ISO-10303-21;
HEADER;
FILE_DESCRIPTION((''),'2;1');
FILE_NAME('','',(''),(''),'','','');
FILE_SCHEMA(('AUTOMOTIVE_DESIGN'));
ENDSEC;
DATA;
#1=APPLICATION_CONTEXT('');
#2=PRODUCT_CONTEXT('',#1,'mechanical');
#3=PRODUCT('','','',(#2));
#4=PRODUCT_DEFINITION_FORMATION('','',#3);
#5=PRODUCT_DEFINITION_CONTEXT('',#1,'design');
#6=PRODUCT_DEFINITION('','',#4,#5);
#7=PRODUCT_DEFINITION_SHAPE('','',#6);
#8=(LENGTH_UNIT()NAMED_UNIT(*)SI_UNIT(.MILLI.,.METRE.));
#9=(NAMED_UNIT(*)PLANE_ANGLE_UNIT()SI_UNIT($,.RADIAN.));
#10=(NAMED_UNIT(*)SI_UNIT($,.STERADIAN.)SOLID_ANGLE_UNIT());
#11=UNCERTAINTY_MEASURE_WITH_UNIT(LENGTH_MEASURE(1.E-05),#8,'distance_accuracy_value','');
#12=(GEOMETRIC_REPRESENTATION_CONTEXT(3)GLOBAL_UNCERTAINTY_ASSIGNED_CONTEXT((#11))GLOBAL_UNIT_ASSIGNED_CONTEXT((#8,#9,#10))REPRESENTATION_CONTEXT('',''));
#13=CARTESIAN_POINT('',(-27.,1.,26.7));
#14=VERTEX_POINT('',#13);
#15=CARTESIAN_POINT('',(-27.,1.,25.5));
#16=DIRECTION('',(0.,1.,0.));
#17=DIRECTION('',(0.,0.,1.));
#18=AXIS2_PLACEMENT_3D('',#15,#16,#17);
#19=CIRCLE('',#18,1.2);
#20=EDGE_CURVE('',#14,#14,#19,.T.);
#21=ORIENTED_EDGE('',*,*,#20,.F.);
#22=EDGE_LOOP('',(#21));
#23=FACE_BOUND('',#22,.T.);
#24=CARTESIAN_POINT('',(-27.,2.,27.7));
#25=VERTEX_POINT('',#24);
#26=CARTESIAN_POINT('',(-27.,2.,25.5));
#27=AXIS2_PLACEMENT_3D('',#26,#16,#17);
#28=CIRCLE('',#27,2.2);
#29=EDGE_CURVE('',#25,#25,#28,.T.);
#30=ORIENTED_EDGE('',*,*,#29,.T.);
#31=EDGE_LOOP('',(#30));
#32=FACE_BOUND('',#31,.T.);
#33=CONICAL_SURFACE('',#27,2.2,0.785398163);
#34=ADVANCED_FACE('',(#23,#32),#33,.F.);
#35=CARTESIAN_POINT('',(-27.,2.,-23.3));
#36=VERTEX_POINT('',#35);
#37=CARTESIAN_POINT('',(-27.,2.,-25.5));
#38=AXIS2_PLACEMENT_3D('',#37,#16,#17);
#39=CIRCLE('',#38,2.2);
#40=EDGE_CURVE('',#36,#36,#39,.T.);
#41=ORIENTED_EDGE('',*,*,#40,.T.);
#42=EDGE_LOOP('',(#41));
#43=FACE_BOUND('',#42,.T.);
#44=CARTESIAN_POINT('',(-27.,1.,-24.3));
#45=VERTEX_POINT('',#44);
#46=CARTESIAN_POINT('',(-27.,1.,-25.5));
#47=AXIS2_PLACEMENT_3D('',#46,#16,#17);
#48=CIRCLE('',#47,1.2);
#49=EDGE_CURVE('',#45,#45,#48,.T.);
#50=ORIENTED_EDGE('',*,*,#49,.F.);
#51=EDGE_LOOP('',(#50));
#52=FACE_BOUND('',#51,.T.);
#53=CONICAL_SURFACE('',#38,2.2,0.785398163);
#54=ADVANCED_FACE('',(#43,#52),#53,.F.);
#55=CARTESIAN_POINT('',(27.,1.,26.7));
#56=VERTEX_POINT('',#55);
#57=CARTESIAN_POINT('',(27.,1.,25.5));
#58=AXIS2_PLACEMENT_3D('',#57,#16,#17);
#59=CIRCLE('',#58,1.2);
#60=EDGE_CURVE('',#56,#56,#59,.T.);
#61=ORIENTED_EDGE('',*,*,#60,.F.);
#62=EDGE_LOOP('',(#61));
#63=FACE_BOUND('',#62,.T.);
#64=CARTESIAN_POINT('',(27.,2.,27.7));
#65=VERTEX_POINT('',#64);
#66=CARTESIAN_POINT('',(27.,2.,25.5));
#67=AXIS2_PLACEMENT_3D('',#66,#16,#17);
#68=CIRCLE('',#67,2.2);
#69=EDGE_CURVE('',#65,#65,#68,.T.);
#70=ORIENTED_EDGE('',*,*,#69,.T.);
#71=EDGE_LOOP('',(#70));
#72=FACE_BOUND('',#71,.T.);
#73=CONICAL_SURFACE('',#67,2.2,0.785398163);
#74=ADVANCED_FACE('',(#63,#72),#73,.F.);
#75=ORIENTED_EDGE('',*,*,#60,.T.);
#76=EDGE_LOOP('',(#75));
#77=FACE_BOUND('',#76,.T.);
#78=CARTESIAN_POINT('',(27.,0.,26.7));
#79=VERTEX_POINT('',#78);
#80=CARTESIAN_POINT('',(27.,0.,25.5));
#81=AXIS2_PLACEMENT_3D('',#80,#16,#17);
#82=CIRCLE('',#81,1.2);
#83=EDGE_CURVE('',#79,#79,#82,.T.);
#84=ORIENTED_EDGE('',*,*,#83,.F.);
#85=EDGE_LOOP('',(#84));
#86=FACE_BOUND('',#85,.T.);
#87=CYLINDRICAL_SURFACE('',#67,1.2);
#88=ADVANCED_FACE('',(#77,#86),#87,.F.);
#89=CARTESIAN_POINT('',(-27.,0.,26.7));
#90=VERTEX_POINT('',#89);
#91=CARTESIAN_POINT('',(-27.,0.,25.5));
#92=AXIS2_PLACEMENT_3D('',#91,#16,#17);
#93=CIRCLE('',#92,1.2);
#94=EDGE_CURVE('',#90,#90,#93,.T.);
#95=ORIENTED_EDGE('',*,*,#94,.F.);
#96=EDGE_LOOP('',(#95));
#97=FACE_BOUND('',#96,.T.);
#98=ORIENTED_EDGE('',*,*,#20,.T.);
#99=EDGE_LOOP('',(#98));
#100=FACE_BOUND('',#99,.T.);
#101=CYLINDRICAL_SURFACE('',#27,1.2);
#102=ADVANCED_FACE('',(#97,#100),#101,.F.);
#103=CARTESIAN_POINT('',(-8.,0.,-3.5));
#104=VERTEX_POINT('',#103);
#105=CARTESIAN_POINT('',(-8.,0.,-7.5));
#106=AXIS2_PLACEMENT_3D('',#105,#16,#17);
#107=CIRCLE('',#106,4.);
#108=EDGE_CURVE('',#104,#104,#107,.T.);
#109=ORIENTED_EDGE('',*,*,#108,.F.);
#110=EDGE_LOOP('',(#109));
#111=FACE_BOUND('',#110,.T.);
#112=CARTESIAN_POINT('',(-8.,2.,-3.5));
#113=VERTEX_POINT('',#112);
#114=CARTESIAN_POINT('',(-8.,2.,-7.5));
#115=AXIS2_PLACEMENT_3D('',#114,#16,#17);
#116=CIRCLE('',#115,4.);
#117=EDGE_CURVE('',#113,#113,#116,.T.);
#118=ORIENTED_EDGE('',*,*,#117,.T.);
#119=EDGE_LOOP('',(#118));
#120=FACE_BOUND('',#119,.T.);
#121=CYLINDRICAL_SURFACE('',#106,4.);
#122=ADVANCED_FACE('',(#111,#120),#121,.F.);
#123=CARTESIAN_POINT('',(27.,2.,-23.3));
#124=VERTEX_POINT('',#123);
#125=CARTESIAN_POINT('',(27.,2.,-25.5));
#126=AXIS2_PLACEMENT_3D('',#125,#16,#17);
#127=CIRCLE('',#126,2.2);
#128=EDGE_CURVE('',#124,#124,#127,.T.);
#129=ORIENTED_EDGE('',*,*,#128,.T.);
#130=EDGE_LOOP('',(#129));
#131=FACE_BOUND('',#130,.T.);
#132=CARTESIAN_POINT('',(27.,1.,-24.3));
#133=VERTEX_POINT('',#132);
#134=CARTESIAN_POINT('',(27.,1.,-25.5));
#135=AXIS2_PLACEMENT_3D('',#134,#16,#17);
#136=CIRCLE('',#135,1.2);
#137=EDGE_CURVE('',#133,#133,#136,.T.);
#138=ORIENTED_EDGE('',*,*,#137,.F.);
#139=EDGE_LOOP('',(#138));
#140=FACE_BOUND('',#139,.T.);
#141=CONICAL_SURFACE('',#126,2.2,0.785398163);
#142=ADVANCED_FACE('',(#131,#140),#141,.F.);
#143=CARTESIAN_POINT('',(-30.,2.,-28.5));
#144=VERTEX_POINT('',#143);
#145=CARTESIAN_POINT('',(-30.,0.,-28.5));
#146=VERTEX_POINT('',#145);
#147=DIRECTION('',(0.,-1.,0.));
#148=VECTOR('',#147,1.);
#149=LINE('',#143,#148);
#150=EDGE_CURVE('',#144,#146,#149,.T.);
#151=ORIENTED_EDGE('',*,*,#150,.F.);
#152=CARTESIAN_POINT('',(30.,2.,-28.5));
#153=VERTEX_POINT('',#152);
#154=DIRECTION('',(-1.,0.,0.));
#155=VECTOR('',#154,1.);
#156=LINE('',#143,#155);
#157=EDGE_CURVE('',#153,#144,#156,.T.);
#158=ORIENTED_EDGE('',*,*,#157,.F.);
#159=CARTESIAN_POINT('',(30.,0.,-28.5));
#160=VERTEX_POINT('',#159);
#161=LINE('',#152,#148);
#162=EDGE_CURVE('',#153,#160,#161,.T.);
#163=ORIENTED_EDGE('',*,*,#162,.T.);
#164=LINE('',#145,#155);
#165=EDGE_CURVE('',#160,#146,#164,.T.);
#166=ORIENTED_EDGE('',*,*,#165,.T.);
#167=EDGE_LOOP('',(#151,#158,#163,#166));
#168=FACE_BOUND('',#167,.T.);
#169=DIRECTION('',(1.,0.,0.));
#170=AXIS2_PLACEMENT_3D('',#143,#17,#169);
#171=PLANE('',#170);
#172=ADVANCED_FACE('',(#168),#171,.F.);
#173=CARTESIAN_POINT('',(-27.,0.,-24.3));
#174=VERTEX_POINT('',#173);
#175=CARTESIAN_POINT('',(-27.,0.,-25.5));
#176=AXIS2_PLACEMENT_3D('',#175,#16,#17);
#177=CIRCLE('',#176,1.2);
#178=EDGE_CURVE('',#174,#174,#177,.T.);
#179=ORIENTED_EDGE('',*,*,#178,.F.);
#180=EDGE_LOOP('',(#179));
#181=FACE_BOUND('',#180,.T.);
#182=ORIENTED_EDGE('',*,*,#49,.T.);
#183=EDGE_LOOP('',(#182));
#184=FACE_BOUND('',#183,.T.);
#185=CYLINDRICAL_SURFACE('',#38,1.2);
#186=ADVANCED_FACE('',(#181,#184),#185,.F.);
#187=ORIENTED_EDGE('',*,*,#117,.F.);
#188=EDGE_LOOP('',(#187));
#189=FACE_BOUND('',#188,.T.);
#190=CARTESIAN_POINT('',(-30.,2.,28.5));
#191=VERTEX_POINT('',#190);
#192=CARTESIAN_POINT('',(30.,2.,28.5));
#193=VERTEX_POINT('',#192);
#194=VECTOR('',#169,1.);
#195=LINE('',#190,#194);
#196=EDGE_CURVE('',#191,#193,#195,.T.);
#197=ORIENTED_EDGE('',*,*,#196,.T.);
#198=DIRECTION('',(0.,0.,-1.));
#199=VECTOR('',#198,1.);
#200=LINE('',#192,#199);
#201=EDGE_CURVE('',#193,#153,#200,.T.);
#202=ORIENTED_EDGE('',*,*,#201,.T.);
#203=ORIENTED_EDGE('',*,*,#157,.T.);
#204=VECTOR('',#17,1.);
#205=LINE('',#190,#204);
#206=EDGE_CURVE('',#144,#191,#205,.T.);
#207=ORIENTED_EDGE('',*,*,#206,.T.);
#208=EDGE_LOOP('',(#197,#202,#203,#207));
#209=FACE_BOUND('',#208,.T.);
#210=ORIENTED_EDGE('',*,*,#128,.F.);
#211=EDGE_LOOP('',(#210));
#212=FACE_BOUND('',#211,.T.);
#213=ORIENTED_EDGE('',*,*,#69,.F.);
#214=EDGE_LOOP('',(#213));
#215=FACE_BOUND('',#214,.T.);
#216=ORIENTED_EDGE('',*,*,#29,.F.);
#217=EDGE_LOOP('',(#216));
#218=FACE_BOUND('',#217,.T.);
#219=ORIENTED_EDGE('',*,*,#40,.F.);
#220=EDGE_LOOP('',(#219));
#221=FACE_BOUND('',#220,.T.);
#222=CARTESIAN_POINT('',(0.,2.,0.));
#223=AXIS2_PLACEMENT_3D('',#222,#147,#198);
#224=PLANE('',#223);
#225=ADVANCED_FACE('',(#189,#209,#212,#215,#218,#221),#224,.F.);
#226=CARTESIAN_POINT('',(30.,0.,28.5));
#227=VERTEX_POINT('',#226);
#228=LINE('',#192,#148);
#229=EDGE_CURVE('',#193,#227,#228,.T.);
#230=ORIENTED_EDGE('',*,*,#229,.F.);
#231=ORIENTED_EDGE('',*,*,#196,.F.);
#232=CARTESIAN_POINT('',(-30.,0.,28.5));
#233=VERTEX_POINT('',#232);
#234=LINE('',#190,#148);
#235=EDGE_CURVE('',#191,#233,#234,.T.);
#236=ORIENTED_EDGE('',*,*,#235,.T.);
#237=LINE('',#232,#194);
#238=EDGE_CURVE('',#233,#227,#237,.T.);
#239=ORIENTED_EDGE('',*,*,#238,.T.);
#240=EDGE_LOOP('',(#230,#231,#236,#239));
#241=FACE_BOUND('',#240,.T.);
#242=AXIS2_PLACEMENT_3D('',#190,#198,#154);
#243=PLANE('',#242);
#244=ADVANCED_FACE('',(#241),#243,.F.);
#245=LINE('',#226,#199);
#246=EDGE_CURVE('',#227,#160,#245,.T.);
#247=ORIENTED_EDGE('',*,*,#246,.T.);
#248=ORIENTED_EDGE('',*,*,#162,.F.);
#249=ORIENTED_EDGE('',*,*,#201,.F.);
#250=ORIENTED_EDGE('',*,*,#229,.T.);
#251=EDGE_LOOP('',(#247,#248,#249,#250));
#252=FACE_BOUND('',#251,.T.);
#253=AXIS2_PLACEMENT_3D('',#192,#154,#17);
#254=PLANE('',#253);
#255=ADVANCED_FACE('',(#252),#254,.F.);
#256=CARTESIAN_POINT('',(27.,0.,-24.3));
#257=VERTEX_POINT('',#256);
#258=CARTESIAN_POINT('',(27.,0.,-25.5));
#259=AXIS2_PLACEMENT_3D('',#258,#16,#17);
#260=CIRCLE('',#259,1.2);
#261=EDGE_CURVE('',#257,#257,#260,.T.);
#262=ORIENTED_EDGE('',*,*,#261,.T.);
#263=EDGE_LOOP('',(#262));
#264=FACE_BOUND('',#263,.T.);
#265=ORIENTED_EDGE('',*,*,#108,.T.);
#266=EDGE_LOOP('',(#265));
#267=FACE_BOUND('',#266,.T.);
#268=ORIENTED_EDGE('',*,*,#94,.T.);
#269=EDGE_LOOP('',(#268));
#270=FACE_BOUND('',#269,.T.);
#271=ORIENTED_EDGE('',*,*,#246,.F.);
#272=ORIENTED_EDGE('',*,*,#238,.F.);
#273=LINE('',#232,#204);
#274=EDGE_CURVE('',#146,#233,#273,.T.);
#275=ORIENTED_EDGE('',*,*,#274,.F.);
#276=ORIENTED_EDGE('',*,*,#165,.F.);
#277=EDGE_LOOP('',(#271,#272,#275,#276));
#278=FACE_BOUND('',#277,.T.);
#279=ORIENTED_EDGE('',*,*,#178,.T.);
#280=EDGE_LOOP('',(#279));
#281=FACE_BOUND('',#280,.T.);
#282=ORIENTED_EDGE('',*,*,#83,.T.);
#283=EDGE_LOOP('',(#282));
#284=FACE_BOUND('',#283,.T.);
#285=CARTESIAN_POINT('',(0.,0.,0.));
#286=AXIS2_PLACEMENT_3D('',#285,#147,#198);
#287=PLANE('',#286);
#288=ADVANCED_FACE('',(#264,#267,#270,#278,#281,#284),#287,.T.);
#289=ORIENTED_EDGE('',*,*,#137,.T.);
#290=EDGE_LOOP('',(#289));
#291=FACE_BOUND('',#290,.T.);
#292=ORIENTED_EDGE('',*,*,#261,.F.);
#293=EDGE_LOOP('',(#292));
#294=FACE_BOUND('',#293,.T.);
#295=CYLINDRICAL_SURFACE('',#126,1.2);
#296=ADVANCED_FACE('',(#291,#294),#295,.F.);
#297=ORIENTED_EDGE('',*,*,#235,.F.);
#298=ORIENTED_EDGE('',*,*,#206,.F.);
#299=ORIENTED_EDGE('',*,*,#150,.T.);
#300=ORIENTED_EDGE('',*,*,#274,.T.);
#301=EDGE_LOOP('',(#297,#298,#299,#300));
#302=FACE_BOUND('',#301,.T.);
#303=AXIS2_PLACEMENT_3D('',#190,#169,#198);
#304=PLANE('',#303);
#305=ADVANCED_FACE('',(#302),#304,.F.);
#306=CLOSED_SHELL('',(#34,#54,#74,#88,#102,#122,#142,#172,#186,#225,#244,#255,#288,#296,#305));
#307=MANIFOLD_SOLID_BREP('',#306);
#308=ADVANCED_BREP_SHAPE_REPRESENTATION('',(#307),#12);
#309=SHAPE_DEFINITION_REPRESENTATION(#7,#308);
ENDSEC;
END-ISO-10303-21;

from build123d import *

# Parameters (mm, degrees)
SKETCH1_W                                    = 60
SKETCH1_H                                    = 57
BOSS_EXTRUDE1_DEPTH                          = 2
CSK_FOR_M2_COUNTERSUNK_FLAT_HEAD_SCR_2_COUNT = 2
CSK_FOR_M2_COUNTERSUNK_FLAT_HEAD_SCR_2_PITCH = 54
CSK_FOR_M2_COUNTERSUNK_FLAT_HEAD_SCR_3_COUNT = 2
CSK_FOR_M2_COUNTERSUNK_FLAT_HEAD_SCR_3_PITCH = 74.276510419
CSK_FOR_M2_COUNTERSUNK_FLAT_HEAD_SCR_4_COUNT = 2
CSK_FOR_M2_COUNTERSUNK_FLAT_HEAD_SCR_4_PITCH = 51
SKETCH4_R                                    = 4
CUT_EXTRUDE1_DEPTH                           = 2


with BuildPart() as part:
    # Sketch1 → Boss-Extrude1 (new body)
    with BuildSketch(Plane(origin=(0, 0, 0), x_dir=(1, 0, 0), z_dir=(0, 1, 0))):
        Rectangle(SKETCH1_W, SKETCH1_H)
    extrude(amount=BOSS_EXTRUDE1_DEPTH)

    # Sketch3 → CSK for M2 Countersunk Flat Head Screw1 (revolve, cut)
    with BuildSketch(Plane(origin=(-27, 2, -25.5), x_dir=(0, 0, 1), z_dir=(1, 0, 0))):
        Polygon((0, 0), (0, 2), (1.2, 2), (1.2, 1), (2.2, 0), align=None)
    csk_for_m2_countersunk_flat_head_screw1 = revolve(axis=Axis((-27, 8.35, -25.5), (0, -1, 0)), mode=Mode.SUBTRACT)

    # CSK for M2 Countersunk Flat Head Scr 2: CSK for M2 Countersunk Flat Head Screw1 ×2
    with Locations(*[(i * CSK_FOR_M2_COUNTERSUNK_FLAT_HEAD_SCR_2_PITCH, 0, 0) for i in range(1, CSK_FOR_M2_COUNTERSUNK_FLAT_HEAD_SCR_2_COUNT)]):
        add(csk_for_m2_countersunk_flat_head_screw1, mode=Mode.SUBTRACT)

    # CSK for M2 Countersunk Flat Head Scr 3: CSK for M2 Countersunk Flat Head Screw1 ×2
    with Locations(*[Vector(0.7270131525498175, 0, 0.6866235329637166) * (i * CSK_FOR_M2_COUNTERSUNK_FLAT_HEAD_SCR_3_PITCH) for i in range(1, CSK_FOR_M2_COUNTERSUNK_FLAT_HEAD_SCR_3_COUNT)]):
        add(csk_for_m2_countersunk_flat_head_screw1, mode=Mode.SUBTRACT)

    # CSK for M2 Countersunk Flat Head Scr 4: CSK for M2 Countersunk Flat Head Screw1 ×2
    with Locations(*[(0, 0, i * CSK_FOR_M2_COUNTERSUNK_FLAT_HEAD_SCR_4_PITCH) for i in range(1, CSK_FOR_M2_COUNTERSUNK_FLAT_HEAD_SCR_4_COUNT)]):
        add(csk_for_m2_countersunk_flat_head_screw1, mode=Mode.SUBTRACT)

    # Sketch4 → Cut-Extrude1 (cut)
    with BuildSketch(Plane(origin=(0, 2, 0), x_dir=(1, 0, 0), z_dir=(0, 1, 0))):
        with Locations(Location((-8, 7.5, 0), (0, 0, 270))):
            Circle(SKETCH4_R)
    extrude(amount=-CUT_EXTRUDE1_DEPTH, mode=Mode.SUBTRACT)


solid = part.part
